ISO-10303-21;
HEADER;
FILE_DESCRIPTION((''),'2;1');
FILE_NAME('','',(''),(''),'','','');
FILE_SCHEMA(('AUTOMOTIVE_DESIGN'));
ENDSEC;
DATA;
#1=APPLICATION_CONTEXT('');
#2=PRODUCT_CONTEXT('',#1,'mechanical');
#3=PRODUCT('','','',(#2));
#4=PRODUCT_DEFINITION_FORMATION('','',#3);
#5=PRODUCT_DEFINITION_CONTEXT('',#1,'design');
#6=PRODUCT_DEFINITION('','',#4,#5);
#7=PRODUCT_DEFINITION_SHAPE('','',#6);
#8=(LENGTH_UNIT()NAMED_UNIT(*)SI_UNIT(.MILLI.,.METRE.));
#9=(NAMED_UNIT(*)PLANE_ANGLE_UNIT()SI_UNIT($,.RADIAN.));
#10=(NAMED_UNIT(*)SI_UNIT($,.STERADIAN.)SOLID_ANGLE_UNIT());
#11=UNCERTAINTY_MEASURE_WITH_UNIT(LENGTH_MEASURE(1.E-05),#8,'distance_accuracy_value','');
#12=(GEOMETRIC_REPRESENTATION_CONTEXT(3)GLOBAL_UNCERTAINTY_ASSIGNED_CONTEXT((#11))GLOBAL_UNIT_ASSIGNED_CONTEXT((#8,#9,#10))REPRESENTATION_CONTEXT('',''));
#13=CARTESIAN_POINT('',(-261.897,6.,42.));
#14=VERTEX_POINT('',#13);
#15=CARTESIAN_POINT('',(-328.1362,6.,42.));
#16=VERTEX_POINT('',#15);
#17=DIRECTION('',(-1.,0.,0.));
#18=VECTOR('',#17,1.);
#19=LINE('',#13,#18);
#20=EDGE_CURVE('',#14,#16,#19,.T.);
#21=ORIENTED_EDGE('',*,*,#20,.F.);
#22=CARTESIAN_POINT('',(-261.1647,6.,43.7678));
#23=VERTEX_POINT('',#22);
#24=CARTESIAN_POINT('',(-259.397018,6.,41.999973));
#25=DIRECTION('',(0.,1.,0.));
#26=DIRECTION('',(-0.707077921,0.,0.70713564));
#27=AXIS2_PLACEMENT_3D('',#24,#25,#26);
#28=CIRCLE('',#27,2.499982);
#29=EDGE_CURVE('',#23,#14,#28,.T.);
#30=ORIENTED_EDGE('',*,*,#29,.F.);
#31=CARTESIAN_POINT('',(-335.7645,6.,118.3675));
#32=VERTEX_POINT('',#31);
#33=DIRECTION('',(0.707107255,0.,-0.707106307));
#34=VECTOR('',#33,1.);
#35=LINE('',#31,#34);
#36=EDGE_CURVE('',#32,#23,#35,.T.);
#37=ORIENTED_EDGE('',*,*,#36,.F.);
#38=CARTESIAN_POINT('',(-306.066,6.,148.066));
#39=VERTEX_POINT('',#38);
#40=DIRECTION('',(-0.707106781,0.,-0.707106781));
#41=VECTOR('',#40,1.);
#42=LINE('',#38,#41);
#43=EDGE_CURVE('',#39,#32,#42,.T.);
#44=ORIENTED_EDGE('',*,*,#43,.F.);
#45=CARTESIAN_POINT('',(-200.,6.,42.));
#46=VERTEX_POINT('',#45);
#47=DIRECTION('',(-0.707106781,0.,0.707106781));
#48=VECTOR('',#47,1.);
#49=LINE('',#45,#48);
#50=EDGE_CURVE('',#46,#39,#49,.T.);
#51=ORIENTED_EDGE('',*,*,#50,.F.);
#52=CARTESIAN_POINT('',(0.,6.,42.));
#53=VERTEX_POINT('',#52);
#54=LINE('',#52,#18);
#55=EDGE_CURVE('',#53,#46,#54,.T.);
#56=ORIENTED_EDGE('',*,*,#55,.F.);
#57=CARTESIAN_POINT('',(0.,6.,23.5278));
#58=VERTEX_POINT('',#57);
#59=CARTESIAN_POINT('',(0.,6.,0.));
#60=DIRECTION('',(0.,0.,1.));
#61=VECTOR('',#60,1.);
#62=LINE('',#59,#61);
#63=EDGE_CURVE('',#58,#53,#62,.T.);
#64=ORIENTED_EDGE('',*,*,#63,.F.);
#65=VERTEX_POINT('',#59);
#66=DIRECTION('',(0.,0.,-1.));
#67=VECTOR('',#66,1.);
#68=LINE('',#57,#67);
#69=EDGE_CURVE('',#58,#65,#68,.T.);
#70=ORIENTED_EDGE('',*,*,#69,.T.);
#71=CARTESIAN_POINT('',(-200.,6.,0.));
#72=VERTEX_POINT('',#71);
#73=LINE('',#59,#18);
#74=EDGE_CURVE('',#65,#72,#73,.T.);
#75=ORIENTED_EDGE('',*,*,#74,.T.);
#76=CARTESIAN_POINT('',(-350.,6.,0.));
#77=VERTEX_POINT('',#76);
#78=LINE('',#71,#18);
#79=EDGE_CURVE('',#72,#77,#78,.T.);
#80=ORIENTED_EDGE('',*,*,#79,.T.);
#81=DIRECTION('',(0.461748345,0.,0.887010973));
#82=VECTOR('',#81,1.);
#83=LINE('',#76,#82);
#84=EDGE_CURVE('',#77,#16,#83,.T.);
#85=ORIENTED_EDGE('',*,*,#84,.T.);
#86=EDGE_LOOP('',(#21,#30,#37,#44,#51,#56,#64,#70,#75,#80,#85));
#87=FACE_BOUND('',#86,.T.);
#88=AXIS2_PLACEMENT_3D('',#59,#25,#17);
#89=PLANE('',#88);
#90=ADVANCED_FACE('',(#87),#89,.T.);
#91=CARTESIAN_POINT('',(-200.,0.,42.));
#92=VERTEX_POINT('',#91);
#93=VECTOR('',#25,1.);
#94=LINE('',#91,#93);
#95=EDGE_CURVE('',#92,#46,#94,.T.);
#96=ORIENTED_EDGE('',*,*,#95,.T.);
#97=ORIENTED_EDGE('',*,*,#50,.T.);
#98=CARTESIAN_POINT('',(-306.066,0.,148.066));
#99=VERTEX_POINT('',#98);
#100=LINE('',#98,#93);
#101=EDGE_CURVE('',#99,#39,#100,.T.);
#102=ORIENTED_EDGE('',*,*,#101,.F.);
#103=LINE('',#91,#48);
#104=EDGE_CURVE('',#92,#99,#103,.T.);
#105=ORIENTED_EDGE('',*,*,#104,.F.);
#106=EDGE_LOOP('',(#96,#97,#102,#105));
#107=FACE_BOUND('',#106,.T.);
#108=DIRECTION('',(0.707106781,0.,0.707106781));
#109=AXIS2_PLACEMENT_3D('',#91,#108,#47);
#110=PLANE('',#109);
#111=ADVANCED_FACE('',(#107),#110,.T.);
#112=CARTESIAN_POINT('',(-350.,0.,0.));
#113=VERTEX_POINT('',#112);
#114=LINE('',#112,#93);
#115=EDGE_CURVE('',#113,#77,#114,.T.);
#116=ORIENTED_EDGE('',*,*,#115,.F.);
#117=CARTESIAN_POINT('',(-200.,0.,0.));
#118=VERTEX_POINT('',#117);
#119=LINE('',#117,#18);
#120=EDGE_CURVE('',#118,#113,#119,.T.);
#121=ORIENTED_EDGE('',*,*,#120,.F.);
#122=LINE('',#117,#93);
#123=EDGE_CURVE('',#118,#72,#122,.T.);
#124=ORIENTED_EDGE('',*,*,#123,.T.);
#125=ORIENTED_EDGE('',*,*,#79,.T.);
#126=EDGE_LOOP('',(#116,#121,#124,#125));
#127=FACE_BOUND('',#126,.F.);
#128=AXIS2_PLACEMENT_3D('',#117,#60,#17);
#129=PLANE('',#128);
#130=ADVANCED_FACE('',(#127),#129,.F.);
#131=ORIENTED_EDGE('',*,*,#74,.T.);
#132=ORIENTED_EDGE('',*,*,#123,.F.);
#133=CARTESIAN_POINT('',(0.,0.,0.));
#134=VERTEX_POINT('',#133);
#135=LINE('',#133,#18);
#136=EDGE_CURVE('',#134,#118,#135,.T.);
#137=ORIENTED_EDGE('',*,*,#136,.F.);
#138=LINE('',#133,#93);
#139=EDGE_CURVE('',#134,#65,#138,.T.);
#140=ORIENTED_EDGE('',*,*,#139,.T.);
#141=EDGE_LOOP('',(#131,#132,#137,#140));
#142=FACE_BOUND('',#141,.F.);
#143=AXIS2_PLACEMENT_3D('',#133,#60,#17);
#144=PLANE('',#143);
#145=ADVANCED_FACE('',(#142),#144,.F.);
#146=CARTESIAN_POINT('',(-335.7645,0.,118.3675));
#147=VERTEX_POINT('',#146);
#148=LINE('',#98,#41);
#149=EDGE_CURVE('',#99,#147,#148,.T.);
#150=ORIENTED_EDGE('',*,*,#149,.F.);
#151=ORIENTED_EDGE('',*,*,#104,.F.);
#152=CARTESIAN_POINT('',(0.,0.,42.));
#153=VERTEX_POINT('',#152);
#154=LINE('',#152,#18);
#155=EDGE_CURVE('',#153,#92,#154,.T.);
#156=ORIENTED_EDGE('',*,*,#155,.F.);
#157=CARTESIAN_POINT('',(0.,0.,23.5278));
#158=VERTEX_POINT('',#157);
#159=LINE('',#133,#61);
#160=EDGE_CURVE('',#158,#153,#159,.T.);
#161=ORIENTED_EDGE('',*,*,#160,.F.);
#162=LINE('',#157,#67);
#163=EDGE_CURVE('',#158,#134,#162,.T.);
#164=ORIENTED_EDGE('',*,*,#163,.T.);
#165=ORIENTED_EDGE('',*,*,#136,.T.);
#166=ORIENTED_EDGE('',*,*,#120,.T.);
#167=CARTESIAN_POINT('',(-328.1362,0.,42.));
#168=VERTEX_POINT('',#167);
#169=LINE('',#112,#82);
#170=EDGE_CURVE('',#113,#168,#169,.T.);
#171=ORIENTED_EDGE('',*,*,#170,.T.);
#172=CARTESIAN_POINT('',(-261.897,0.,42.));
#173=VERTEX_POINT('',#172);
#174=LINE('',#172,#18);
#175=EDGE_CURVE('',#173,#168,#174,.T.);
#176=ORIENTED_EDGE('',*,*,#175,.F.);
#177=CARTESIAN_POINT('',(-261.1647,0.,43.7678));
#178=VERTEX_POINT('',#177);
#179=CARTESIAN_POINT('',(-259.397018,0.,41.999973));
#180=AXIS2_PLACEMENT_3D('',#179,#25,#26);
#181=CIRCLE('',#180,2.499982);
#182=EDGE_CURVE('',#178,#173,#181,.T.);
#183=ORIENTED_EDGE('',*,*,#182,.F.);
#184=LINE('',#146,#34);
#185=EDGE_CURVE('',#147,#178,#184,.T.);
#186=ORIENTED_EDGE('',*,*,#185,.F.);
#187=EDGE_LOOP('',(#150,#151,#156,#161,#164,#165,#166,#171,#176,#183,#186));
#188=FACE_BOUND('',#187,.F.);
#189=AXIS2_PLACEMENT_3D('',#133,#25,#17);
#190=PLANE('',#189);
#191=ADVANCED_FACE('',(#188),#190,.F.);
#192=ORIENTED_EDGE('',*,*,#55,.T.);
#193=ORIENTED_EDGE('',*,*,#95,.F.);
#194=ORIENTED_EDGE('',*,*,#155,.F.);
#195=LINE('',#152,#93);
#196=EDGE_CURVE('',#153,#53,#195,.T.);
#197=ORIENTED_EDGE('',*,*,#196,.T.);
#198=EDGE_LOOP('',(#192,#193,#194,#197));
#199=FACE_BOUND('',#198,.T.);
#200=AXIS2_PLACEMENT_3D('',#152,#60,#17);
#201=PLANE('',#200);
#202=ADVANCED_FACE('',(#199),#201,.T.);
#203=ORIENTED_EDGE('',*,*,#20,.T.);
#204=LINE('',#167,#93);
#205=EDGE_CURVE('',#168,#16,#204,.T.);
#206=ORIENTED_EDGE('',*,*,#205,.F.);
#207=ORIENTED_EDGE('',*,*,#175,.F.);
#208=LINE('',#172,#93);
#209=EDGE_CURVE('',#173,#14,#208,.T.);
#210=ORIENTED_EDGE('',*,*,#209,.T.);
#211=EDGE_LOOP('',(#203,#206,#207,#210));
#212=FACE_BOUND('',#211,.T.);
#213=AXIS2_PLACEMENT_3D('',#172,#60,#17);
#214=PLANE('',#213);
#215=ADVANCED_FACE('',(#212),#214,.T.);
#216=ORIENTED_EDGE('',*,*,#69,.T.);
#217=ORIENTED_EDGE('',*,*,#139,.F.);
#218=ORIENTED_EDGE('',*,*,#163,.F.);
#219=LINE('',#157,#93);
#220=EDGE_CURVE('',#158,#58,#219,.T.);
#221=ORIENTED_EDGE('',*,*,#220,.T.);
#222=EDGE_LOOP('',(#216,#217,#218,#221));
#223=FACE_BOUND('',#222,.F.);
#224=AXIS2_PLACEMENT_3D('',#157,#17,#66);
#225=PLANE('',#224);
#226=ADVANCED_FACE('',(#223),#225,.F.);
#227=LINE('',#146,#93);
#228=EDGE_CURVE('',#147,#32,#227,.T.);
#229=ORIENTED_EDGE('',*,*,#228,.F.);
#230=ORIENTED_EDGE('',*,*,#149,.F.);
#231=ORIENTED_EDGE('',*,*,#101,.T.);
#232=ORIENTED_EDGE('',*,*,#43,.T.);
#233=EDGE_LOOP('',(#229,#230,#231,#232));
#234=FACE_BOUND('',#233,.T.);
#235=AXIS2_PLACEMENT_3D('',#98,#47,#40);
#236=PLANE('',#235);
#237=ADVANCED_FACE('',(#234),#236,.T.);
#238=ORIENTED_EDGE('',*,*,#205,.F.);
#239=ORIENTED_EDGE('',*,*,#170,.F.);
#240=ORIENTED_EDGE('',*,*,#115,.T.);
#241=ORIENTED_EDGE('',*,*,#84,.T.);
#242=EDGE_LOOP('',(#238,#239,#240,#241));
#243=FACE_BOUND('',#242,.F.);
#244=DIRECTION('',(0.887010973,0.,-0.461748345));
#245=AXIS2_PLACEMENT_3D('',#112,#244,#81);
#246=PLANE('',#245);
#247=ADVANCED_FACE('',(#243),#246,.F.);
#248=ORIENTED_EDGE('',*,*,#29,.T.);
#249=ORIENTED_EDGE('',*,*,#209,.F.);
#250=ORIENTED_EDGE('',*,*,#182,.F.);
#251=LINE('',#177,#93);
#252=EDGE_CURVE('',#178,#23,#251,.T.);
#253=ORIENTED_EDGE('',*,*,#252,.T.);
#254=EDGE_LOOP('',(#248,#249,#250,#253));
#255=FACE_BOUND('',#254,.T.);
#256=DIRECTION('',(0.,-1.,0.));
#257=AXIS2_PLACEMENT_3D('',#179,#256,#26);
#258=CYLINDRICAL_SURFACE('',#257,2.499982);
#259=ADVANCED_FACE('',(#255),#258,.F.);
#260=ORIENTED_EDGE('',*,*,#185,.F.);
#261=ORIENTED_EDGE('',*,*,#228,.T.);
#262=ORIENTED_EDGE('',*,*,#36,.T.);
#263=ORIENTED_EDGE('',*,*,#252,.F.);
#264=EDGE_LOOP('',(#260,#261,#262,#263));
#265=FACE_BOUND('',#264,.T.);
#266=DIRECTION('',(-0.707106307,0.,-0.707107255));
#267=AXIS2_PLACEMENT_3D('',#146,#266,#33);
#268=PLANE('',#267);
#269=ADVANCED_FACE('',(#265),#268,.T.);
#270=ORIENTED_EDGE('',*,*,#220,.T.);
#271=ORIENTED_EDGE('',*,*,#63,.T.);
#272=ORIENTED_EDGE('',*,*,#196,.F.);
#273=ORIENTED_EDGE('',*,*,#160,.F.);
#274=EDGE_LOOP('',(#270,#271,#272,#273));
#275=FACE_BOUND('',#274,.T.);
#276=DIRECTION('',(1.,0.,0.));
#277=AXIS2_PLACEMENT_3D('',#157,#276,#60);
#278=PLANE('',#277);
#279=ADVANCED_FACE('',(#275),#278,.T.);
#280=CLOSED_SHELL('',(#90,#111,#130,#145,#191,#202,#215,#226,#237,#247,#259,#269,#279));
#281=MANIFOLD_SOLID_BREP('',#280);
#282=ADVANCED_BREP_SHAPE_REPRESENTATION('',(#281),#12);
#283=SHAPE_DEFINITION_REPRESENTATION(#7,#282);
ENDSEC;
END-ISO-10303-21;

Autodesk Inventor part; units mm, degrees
ref_plane "YZ Plane" through (0, 0, 0) normal (1, 0, 0) x (0, 1, 0)
ref_plane "XZ Plane" through (0, 0, 0) normal (0, 1, 0) x (-1, 0, 0)
ref_plane "XY Plane" through (0, 0, 0) normal (0, 0, 1) x (1, 0, 0)
sketch "Sketch1" plane through (0, 0, 0) normal (0, 1, 0) x (-1, 0, 0)
  line L0 (0, 0) -> (200, 0)
  line L1 (200, 0) -> (350, 0)
  line L2 (350, 0) -> (419.2566, 0) construction
  line L3 (0, 23.5278) -> (0, 0)
  line L4 (0, 0) -> (0, 42)
  line L5 (350, 0) -> (328.1362, 42)
  line L6 (328.1362, 42) -> (417.945, 42) construction
  line L7 (200, 42) -> (306.066, 148.066)
  line L8 (0, 42) -> (200, 42)
  line L9 (261.897, 42) -> (328.1362, 42)
  arc A0 (261.1647, 43.7678) -> (261.897, 42) centre (259.397, 42) ccw
  line L10 (306.066, 148.066) -> (335.7645, 118.3675)
  line L11 (335.7645, 118.3675) -> (261.1647, 43.7678)
  line L12 (0, 0) -> (0, 42)
  line L13 (350, 0) -> (0, 0)
  line L14 (0, 0) -> (0, 42)
  line L15 (0, 42) -> (200, 42)
  line L16 (200, 42) -> (306.066, 148.066)
  line L17 (306.066, 148.066) -> (335.7645, 118.3675)
  line L18 (335.7645, 118.3675) -> (261.1647, 43.7678)
  line L19 (200, 42) -> (259.397, 42) construction
  line L20 (261.897, 42) -> (330, 42) construction
  line L21 (261.897, 42) -> (328.1362, 42)
  dimension "d0" = 200
  dimension "d1" = 150
  dimension "d4" = 42
  dimension "d6" = 62.5
  dimension "d9" = 150
  dimension "d10" = 90
  dimension "d12" = 68.7392
  dimension "d15" = 5
  dimension "d17" = 42
  dimension "d18" = 42
  dimension "d19" = 45
  dimension "d20" = 90
  dimension "d21" = 90
extrude "Extrusion1" add sketch "Sketch1" along normal blind 6
properties part number "A_Base"
